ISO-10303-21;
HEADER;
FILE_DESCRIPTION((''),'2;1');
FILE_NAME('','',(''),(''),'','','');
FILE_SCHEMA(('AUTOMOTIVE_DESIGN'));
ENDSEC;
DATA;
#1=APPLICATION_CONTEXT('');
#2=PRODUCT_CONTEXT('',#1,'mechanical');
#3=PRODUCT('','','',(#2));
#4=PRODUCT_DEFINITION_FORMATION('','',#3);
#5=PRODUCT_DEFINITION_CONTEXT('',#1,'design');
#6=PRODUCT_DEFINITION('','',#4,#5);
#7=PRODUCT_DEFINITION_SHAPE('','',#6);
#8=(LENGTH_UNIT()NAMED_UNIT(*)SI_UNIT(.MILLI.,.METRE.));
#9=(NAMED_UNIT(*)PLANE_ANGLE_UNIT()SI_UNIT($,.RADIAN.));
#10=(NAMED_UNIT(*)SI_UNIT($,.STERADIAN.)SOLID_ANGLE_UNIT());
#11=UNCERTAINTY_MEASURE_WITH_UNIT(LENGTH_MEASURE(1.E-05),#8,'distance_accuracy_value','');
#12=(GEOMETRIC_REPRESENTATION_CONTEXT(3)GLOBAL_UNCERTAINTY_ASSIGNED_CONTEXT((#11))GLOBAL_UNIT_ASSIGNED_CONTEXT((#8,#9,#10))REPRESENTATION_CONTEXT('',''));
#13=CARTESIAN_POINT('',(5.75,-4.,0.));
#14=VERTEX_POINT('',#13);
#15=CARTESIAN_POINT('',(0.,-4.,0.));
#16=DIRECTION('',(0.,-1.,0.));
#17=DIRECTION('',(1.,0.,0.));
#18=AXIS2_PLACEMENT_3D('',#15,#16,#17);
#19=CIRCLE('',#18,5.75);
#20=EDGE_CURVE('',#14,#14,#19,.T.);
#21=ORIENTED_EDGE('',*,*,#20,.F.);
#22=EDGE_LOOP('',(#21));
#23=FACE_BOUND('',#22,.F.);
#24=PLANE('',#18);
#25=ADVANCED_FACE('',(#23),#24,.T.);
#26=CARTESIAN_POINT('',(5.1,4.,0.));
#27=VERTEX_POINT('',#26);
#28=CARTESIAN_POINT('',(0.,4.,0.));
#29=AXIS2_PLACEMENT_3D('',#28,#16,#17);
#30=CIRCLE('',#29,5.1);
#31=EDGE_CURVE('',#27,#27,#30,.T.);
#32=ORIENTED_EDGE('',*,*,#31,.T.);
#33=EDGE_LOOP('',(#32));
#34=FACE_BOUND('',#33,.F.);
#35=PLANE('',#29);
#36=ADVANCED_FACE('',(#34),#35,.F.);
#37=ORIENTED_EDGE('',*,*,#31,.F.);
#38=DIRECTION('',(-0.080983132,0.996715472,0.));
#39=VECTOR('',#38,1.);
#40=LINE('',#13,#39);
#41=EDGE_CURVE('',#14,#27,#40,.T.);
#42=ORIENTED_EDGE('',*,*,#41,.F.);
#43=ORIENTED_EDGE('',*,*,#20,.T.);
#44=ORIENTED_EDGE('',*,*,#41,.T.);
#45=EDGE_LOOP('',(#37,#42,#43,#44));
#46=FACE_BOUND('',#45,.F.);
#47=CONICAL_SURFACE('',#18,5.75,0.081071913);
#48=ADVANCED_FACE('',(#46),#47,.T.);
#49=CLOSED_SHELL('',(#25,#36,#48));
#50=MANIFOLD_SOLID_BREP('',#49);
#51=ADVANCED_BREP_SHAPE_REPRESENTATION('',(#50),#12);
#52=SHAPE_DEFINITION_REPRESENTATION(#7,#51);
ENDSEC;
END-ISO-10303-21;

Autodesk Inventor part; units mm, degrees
ref_plane "YZ Plane" through (0, 0, 0) normal (1, 0, 0) x (0, 1, 0)
ref_plane "XZ Plane" through (0, 0, 0) normal (0, 1, 0) x (-1, 0, 0)
ref_plane "XY Plane" through (0, 0, 0) normal (0, 0, 1) x (1, 0, 0)
sketch "Эскиз1" plane through (0, 0, 0) normal (0, 0, 1) x (1, 0, 0)
  line L0 (0, 4) -> (0, -4)
  line L1 (0, -4) -> (5.75, -4)
  line L2 (5.75, -4) -> (5.1, 4)
  line L3 (5.1, 4) -> (0, 4)
  point P0 (0, 0)
  point P1 (0, 0)
  dimension "d0" = 8
  dimension "d1" = 11.5
  dimension "d2" = 10.2
revolve "Вращение1" add sketch "Эскиз1" angle 360 about axis through (0, 4, 0) along (0, -1, 0)
properties part number "62. Заглушка отверстия фиксатора"
